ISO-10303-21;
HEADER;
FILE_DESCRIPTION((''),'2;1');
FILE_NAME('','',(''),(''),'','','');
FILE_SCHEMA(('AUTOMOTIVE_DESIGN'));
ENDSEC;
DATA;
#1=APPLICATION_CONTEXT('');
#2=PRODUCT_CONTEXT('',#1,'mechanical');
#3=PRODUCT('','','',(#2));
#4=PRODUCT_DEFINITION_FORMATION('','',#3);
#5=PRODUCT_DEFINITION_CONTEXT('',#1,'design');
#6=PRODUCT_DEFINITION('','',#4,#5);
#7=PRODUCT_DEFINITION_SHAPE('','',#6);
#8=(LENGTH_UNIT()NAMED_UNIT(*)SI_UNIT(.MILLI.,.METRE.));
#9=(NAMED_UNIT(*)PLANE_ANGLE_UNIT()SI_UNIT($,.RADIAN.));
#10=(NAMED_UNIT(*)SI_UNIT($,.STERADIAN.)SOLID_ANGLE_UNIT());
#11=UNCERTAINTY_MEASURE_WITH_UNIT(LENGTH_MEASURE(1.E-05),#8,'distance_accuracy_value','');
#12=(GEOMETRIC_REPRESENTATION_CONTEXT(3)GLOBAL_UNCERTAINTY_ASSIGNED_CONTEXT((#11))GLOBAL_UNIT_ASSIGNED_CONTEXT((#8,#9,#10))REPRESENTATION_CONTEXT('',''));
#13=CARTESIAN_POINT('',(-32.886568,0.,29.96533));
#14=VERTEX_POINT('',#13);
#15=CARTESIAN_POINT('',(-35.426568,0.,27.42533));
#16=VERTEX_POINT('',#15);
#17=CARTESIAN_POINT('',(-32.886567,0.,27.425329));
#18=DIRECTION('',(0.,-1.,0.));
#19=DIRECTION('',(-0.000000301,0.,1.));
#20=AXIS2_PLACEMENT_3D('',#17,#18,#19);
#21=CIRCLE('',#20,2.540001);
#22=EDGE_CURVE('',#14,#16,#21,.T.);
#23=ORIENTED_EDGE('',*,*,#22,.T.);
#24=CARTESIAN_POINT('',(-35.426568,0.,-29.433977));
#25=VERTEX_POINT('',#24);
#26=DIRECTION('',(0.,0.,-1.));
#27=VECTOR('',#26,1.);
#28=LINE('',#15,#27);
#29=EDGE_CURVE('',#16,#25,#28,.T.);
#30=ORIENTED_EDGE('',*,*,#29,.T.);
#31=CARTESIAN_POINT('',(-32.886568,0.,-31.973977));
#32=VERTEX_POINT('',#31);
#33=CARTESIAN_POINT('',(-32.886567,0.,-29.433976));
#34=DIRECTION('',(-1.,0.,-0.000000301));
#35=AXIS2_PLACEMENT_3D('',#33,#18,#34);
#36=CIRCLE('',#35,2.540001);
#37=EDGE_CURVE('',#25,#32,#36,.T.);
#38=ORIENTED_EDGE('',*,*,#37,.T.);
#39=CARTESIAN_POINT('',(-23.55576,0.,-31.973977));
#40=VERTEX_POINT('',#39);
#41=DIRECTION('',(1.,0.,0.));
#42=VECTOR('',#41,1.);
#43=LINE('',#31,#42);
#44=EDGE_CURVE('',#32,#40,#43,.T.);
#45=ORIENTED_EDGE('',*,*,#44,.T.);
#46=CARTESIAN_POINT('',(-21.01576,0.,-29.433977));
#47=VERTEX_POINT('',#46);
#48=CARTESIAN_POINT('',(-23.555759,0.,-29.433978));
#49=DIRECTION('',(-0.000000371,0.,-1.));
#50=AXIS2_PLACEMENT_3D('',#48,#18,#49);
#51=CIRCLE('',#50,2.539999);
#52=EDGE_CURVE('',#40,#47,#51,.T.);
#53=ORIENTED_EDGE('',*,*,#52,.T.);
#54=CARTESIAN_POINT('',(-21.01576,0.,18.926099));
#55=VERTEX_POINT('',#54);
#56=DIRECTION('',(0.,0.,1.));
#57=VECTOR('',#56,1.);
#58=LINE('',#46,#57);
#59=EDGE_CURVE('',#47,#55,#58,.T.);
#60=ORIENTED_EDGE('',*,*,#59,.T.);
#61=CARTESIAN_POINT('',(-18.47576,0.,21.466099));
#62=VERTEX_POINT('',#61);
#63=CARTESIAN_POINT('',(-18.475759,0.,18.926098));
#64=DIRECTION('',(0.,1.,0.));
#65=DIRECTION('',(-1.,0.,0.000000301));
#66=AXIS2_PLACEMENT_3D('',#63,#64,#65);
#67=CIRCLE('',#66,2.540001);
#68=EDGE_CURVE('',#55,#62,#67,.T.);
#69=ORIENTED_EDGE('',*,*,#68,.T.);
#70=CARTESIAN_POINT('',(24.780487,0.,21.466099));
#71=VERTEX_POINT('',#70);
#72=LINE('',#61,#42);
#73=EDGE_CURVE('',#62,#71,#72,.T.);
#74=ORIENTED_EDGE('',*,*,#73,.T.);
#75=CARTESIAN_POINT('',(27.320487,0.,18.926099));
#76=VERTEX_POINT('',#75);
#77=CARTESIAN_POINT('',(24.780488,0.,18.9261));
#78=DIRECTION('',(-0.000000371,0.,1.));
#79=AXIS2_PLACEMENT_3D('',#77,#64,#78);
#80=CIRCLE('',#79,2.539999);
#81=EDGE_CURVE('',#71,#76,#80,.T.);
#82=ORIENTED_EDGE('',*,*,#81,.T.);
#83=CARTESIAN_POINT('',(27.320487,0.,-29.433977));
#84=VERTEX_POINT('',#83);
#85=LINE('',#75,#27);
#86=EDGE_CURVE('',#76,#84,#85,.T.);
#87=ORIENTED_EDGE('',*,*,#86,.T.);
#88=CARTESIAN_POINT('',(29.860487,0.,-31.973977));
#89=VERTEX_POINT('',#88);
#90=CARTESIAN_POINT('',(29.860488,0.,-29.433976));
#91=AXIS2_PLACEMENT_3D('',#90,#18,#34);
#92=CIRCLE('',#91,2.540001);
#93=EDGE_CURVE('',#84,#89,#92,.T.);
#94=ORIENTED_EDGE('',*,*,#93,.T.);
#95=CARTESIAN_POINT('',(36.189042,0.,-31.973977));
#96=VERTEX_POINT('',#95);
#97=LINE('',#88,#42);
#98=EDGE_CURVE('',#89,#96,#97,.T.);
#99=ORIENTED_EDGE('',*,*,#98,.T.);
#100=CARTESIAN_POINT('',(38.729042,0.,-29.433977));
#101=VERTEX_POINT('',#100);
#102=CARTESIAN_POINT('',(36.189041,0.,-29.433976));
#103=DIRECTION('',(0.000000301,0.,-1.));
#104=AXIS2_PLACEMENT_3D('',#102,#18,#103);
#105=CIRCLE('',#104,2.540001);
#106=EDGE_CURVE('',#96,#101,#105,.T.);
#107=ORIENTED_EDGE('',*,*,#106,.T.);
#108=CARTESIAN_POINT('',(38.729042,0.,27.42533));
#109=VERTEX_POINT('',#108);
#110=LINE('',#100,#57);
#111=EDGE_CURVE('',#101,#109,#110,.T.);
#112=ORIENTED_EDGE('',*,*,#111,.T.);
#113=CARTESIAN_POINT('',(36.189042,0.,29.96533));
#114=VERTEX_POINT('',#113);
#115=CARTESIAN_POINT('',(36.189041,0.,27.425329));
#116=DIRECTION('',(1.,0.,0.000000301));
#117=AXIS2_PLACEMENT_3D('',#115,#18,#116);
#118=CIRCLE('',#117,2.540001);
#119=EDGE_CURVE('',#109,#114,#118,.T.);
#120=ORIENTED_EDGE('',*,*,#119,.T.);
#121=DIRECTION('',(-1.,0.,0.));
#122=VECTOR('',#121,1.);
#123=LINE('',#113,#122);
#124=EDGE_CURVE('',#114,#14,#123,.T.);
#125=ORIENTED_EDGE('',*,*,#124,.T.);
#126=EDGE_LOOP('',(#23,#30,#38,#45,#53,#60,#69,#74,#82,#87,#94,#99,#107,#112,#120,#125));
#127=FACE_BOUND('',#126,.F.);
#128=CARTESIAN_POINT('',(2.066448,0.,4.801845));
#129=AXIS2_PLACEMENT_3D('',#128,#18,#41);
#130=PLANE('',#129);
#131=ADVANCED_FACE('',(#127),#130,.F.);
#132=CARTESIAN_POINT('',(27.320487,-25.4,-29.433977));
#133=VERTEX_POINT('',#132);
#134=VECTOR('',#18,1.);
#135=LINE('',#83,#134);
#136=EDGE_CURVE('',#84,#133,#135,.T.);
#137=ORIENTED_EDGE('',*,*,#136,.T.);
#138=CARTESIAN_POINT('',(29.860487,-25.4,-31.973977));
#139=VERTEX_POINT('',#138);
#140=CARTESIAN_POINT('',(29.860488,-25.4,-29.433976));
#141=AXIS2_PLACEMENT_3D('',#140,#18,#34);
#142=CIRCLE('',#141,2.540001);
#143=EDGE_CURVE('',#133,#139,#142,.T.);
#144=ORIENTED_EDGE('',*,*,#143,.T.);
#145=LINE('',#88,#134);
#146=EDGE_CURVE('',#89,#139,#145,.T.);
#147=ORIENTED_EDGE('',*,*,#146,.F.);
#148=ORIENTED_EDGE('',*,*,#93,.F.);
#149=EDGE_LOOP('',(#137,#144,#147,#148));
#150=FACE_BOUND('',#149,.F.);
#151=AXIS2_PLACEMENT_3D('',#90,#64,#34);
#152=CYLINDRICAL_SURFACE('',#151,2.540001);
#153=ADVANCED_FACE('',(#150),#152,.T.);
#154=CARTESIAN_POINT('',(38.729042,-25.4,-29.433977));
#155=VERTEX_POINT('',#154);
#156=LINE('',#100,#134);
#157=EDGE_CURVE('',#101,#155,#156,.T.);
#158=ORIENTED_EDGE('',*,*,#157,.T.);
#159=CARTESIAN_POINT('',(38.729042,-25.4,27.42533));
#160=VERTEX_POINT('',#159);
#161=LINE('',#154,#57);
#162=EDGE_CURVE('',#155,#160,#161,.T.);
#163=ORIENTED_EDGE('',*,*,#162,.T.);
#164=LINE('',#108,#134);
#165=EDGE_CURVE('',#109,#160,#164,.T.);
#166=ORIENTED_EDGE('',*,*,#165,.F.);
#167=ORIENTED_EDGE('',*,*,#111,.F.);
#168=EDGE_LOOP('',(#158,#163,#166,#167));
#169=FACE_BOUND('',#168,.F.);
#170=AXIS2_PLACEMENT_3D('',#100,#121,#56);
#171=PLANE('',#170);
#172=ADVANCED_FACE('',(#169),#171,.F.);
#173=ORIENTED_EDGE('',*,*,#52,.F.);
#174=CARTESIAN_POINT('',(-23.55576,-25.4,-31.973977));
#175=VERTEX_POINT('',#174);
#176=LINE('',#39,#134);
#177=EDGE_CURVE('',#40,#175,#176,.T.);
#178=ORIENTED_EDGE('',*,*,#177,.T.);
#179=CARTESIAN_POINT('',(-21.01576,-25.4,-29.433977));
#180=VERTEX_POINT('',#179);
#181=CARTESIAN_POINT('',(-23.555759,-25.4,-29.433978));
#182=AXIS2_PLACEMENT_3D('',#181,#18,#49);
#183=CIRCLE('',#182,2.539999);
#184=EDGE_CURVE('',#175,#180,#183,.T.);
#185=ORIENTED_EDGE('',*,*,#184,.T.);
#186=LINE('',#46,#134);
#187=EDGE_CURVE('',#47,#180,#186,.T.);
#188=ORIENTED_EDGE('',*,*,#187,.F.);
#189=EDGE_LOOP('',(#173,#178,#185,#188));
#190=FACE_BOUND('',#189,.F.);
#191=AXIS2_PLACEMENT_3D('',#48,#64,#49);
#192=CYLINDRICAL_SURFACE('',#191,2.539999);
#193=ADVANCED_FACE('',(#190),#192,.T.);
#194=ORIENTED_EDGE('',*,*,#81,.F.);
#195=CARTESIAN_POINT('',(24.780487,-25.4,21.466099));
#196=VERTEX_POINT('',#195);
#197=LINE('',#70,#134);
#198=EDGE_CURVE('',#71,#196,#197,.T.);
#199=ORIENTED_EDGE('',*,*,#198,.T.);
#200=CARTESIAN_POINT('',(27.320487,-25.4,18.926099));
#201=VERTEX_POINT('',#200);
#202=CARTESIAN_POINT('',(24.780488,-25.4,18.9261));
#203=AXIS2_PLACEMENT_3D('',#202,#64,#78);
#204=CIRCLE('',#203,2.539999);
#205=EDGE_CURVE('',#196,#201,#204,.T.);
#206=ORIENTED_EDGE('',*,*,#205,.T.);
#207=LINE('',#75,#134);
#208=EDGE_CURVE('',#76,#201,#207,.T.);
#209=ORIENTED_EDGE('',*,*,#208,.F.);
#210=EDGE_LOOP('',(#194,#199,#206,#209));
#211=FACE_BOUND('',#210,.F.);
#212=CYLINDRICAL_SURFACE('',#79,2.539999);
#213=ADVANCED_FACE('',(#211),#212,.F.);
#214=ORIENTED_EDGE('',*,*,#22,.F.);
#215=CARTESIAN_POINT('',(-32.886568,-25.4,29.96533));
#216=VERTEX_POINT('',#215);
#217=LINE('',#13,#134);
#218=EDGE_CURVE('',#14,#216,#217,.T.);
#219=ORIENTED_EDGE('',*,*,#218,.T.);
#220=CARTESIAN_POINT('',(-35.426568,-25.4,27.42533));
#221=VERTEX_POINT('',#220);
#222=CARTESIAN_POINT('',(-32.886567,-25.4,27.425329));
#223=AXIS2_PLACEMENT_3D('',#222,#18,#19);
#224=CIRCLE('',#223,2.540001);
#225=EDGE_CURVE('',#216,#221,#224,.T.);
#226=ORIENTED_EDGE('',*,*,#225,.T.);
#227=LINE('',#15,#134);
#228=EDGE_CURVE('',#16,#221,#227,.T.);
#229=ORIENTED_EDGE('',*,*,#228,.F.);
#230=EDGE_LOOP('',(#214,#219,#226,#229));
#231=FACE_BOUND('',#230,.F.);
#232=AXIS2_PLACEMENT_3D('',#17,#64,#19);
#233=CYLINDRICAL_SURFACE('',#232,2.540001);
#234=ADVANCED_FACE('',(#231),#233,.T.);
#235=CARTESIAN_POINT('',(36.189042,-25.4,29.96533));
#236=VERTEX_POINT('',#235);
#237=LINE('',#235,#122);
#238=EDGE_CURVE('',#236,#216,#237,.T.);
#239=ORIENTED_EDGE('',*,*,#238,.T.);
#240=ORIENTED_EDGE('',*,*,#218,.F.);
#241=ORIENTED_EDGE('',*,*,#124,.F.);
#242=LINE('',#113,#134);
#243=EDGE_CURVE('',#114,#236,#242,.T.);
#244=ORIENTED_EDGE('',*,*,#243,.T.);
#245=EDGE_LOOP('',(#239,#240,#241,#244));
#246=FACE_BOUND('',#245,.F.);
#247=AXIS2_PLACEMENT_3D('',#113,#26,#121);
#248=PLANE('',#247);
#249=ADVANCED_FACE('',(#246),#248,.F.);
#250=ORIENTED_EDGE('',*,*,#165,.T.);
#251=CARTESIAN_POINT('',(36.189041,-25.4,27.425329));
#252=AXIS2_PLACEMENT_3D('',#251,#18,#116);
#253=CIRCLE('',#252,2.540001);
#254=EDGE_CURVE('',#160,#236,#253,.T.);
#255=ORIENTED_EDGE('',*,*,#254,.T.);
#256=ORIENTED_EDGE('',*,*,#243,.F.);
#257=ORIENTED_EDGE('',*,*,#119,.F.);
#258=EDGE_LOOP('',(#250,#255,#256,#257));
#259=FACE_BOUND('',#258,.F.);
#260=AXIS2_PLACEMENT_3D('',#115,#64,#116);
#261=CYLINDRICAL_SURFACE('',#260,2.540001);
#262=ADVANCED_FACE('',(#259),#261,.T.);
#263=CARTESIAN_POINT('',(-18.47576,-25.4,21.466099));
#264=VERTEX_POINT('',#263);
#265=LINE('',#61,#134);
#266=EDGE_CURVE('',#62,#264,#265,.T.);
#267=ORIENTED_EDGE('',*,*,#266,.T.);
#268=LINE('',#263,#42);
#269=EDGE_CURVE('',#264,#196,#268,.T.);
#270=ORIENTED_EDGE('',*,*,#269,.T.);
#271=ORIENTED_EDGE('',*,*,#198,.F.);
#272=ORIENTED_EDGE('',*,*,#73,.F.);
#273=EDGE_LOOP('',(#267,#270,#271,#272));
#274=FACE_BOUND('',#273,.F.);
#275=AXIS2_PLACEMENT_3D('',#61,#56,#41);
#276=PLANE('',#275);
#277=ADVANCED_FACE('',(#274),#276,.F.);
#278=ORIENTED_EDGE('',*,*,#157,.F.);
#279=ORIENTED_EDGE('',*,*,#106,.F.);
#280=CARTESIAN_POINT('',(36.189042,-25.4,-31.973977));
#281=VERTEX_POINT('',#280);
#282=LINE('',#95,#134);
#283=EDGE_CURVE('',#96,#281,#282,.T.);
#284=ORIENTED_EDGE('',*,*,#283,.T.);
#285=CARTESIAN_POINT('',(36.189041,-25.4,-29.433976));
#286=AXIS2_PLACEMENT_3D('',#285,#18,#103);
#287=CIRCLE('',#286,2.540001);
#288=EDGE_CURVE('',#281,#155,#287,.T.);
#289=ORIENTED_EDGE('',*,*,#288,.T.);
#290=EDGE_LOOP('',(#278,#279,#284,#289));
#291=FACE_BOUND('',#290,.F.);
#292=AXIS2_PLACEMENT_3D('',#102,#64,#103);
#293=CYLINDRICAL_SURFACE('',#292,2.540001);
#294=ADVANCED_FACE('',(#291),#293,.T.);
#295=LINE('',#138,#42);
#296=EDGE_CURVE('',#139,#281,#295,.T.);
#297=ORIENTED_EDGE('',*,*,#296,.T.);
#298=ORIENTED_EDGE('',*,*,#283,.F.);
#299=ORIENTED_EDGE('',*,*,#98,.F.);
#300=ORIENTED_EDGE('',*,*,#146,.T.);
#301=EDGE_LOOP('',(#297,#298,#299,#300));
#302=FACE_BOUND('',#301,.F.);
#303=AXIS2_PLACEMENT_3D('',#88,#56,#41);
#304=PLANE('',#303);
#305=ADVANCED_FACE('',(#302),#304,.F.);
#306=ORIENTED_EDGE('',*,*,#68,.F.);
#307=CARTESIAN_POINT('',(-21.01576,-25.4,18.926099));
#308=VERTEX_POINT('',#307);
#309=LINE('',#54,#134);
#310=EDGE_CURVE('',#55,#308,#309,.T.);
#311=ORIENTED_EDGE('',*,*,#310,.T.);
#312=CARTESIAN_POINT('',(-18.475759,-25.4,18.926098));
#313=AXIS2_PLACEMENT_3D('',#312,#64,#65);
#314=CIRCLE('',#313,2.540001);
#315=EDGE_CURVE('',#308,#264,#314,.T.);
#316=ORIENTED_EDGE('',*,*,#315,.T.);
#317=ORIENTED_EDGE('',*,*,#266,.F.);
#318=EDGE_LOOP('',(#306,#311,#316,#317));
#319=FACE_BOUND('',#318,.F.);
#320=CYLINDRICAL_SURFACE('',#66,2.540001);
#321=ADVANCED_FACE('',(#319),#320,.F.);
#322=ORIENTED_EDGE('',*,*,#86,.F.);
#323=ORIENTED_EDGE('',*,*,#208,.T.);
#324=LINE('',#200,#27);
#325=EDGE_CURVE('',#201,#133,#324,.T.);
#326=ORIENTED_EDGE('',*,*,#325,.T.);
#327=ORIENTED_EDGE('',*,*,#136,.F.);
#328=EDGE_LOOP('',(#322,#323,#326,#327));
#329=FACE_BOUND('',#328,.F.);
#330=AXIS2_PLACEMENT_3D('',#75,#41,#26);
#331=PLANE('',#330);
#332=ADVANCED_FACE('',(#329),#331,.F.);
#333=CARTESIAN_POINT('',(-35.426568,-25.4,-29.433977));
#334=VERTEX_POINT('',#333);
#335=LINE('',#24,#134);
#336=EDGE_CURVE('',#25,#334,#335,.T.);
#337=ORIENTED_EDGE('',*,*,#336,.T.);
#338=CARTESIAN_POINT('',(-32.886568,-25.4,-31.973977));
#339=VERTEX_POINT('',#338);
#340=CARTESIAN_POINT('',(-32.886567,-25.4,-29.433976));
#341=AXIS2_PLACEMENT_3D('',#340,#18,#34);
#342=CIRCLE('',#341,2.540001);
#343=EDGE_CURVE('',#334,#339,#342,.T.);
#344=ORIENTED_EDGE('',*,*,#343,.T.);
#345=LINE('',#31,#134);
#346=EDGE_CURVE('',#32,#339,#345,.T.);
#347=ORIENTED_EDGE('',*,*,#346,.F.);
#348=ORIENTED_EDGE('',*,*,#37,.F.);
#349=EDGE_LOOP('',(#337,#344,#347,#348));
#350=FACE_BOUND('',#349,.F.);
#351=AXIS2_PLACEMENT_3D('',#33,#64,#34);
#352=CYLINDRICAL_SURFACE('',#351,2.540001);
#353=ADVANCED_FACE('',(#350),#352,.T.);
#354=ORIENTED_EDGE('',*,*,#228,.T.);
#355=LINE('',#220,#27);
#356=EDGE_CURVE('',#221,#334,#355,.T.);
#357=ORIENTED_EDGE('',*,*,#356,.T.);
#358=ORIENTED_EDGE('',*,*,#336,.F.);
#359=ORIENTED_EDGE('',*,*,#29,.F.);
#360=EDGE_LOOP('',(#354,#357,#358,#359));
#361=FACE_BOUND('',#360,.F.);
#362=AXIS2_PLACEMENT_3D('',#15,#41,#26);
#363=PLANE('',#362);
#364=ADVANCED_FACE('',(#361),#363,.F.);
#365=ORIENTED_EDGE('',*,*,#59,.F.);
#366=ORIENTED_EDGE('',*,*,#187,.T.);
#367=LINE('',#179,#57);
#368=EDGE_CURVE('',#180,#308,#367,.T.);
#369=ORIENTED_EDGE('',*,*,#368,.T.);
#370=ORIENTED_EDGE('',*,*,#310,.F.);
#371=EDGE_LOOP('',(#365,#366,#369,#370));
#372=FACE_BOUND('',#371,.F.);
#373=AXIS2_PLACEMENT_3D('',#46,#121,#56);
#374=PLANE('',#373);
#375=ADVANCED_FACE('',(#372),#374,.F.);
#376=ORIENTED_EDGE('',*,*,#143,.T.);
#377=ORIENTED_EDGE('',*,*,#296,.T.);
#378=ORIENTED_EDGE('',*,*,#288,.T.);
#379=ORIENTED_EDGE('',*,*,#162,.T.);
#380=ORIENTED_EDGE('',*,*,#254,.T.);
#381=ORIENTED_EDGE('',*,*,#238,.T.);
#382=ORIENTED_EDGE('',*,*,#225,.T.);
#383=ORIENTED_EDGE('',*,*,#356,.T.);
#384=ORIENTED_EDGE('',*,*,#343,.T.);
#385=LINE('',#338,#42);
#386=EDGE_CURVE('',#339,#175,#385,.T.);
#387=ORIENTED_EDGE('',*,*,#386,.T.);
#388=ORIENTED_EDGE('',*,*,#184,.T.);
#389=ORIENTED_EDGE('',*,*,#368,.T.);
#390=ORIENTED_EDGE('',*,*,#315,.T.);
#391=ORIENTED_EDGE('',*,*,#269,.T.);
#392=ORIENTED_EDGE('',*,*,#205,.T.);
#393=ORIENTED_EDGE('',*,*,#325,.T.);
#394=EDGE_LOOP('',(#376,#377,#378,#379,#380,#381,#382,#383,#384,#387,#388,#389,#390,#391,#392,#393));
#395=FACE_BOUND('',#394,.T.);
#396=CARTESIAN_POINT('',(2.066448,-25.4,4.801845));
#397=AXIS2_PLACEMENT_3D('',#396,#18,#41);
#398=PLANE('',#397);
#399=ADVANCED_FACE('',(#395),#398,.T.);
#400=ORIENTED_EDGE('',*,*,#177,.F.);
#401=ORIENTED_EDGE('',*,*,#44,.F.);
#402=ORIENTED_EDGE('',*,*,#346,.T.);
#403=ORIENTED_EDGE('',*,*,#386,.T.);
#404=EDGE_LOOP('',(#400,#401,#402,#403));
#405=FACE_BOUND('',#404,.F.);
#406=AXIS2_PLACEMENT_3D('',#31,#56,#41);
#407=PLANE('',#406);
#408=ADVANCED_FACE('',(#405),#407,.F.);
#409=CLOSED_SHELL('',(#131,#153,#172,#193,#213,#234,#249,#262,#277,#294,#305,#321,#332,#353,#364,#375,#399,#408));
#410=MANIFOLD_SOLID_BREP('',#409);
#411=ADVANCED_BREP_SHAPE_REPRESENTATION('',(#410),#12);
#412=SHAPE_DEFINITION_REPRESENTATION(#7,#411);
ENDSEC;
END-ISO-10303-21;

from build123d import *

# Parameters (mm, degrees)
F1_DEPTH = 25.4


with BuildPart() as f1:
    # F0 (on Front) → F1 (new body)
    with BuildSketch(Plane.XZ):
        with BuildLine():
            Line((36.189042, 29.96533), (-32.886568, 29.96533))
            ThreePointArc((-32.886568, 29.96533), (-34.682619, 29.221381), (-35.426568, 27.42533))
            Line((-35.426568, 27.42533), (-35.426568, -29.433977))
            ThreePointArc((-35.426568, -29.433977), (-34.682619, -31.230028), (-32.886568, -31.973977))
            Line((-32.886568, -31.973977), (-23.55576, -31.973977))
            ThreePointArc((-23.55576, -31.973977), (-21.759708, -31.230028), (-21.01576, -29.433977))
            Line((-21.01576, -29.433977), (-21.01576, 18.926099))
            ThreePointArc((-21.01576, 18.926099), (-20.271811, 20.72215), (-18.47576, 21.466099))
            Line((-18.47576, 21.466099), (24.780487, 21.466099))
            ThreePointArc((24.780487, 21.466099), (26.576539, 20.72215), (27.320487, 18.926099))
            Line((27.320487, 18.926099), (27.320487, -29.433977))
            ThreePointArc((27.320487, -29.433977), (28.064436, -31.230028), (29.860487, -31.973977))
            Line((29.860487, -31.973977), (36.189042, -31.973977))
            ThreePointArc((36.189042, -31.973977), (37.985093, -31.230028), (38.729042, -29.433977))
            Line((38.729042, -29.433977), (38.729042, 27.42533))
            ThreePointArc((38.729042, 27.42533), (37.985093, 29.221381), (36.189042, 29.96533))
        make_face()
    extrude(amount=F1_DEPTH)


solid = f1.part
